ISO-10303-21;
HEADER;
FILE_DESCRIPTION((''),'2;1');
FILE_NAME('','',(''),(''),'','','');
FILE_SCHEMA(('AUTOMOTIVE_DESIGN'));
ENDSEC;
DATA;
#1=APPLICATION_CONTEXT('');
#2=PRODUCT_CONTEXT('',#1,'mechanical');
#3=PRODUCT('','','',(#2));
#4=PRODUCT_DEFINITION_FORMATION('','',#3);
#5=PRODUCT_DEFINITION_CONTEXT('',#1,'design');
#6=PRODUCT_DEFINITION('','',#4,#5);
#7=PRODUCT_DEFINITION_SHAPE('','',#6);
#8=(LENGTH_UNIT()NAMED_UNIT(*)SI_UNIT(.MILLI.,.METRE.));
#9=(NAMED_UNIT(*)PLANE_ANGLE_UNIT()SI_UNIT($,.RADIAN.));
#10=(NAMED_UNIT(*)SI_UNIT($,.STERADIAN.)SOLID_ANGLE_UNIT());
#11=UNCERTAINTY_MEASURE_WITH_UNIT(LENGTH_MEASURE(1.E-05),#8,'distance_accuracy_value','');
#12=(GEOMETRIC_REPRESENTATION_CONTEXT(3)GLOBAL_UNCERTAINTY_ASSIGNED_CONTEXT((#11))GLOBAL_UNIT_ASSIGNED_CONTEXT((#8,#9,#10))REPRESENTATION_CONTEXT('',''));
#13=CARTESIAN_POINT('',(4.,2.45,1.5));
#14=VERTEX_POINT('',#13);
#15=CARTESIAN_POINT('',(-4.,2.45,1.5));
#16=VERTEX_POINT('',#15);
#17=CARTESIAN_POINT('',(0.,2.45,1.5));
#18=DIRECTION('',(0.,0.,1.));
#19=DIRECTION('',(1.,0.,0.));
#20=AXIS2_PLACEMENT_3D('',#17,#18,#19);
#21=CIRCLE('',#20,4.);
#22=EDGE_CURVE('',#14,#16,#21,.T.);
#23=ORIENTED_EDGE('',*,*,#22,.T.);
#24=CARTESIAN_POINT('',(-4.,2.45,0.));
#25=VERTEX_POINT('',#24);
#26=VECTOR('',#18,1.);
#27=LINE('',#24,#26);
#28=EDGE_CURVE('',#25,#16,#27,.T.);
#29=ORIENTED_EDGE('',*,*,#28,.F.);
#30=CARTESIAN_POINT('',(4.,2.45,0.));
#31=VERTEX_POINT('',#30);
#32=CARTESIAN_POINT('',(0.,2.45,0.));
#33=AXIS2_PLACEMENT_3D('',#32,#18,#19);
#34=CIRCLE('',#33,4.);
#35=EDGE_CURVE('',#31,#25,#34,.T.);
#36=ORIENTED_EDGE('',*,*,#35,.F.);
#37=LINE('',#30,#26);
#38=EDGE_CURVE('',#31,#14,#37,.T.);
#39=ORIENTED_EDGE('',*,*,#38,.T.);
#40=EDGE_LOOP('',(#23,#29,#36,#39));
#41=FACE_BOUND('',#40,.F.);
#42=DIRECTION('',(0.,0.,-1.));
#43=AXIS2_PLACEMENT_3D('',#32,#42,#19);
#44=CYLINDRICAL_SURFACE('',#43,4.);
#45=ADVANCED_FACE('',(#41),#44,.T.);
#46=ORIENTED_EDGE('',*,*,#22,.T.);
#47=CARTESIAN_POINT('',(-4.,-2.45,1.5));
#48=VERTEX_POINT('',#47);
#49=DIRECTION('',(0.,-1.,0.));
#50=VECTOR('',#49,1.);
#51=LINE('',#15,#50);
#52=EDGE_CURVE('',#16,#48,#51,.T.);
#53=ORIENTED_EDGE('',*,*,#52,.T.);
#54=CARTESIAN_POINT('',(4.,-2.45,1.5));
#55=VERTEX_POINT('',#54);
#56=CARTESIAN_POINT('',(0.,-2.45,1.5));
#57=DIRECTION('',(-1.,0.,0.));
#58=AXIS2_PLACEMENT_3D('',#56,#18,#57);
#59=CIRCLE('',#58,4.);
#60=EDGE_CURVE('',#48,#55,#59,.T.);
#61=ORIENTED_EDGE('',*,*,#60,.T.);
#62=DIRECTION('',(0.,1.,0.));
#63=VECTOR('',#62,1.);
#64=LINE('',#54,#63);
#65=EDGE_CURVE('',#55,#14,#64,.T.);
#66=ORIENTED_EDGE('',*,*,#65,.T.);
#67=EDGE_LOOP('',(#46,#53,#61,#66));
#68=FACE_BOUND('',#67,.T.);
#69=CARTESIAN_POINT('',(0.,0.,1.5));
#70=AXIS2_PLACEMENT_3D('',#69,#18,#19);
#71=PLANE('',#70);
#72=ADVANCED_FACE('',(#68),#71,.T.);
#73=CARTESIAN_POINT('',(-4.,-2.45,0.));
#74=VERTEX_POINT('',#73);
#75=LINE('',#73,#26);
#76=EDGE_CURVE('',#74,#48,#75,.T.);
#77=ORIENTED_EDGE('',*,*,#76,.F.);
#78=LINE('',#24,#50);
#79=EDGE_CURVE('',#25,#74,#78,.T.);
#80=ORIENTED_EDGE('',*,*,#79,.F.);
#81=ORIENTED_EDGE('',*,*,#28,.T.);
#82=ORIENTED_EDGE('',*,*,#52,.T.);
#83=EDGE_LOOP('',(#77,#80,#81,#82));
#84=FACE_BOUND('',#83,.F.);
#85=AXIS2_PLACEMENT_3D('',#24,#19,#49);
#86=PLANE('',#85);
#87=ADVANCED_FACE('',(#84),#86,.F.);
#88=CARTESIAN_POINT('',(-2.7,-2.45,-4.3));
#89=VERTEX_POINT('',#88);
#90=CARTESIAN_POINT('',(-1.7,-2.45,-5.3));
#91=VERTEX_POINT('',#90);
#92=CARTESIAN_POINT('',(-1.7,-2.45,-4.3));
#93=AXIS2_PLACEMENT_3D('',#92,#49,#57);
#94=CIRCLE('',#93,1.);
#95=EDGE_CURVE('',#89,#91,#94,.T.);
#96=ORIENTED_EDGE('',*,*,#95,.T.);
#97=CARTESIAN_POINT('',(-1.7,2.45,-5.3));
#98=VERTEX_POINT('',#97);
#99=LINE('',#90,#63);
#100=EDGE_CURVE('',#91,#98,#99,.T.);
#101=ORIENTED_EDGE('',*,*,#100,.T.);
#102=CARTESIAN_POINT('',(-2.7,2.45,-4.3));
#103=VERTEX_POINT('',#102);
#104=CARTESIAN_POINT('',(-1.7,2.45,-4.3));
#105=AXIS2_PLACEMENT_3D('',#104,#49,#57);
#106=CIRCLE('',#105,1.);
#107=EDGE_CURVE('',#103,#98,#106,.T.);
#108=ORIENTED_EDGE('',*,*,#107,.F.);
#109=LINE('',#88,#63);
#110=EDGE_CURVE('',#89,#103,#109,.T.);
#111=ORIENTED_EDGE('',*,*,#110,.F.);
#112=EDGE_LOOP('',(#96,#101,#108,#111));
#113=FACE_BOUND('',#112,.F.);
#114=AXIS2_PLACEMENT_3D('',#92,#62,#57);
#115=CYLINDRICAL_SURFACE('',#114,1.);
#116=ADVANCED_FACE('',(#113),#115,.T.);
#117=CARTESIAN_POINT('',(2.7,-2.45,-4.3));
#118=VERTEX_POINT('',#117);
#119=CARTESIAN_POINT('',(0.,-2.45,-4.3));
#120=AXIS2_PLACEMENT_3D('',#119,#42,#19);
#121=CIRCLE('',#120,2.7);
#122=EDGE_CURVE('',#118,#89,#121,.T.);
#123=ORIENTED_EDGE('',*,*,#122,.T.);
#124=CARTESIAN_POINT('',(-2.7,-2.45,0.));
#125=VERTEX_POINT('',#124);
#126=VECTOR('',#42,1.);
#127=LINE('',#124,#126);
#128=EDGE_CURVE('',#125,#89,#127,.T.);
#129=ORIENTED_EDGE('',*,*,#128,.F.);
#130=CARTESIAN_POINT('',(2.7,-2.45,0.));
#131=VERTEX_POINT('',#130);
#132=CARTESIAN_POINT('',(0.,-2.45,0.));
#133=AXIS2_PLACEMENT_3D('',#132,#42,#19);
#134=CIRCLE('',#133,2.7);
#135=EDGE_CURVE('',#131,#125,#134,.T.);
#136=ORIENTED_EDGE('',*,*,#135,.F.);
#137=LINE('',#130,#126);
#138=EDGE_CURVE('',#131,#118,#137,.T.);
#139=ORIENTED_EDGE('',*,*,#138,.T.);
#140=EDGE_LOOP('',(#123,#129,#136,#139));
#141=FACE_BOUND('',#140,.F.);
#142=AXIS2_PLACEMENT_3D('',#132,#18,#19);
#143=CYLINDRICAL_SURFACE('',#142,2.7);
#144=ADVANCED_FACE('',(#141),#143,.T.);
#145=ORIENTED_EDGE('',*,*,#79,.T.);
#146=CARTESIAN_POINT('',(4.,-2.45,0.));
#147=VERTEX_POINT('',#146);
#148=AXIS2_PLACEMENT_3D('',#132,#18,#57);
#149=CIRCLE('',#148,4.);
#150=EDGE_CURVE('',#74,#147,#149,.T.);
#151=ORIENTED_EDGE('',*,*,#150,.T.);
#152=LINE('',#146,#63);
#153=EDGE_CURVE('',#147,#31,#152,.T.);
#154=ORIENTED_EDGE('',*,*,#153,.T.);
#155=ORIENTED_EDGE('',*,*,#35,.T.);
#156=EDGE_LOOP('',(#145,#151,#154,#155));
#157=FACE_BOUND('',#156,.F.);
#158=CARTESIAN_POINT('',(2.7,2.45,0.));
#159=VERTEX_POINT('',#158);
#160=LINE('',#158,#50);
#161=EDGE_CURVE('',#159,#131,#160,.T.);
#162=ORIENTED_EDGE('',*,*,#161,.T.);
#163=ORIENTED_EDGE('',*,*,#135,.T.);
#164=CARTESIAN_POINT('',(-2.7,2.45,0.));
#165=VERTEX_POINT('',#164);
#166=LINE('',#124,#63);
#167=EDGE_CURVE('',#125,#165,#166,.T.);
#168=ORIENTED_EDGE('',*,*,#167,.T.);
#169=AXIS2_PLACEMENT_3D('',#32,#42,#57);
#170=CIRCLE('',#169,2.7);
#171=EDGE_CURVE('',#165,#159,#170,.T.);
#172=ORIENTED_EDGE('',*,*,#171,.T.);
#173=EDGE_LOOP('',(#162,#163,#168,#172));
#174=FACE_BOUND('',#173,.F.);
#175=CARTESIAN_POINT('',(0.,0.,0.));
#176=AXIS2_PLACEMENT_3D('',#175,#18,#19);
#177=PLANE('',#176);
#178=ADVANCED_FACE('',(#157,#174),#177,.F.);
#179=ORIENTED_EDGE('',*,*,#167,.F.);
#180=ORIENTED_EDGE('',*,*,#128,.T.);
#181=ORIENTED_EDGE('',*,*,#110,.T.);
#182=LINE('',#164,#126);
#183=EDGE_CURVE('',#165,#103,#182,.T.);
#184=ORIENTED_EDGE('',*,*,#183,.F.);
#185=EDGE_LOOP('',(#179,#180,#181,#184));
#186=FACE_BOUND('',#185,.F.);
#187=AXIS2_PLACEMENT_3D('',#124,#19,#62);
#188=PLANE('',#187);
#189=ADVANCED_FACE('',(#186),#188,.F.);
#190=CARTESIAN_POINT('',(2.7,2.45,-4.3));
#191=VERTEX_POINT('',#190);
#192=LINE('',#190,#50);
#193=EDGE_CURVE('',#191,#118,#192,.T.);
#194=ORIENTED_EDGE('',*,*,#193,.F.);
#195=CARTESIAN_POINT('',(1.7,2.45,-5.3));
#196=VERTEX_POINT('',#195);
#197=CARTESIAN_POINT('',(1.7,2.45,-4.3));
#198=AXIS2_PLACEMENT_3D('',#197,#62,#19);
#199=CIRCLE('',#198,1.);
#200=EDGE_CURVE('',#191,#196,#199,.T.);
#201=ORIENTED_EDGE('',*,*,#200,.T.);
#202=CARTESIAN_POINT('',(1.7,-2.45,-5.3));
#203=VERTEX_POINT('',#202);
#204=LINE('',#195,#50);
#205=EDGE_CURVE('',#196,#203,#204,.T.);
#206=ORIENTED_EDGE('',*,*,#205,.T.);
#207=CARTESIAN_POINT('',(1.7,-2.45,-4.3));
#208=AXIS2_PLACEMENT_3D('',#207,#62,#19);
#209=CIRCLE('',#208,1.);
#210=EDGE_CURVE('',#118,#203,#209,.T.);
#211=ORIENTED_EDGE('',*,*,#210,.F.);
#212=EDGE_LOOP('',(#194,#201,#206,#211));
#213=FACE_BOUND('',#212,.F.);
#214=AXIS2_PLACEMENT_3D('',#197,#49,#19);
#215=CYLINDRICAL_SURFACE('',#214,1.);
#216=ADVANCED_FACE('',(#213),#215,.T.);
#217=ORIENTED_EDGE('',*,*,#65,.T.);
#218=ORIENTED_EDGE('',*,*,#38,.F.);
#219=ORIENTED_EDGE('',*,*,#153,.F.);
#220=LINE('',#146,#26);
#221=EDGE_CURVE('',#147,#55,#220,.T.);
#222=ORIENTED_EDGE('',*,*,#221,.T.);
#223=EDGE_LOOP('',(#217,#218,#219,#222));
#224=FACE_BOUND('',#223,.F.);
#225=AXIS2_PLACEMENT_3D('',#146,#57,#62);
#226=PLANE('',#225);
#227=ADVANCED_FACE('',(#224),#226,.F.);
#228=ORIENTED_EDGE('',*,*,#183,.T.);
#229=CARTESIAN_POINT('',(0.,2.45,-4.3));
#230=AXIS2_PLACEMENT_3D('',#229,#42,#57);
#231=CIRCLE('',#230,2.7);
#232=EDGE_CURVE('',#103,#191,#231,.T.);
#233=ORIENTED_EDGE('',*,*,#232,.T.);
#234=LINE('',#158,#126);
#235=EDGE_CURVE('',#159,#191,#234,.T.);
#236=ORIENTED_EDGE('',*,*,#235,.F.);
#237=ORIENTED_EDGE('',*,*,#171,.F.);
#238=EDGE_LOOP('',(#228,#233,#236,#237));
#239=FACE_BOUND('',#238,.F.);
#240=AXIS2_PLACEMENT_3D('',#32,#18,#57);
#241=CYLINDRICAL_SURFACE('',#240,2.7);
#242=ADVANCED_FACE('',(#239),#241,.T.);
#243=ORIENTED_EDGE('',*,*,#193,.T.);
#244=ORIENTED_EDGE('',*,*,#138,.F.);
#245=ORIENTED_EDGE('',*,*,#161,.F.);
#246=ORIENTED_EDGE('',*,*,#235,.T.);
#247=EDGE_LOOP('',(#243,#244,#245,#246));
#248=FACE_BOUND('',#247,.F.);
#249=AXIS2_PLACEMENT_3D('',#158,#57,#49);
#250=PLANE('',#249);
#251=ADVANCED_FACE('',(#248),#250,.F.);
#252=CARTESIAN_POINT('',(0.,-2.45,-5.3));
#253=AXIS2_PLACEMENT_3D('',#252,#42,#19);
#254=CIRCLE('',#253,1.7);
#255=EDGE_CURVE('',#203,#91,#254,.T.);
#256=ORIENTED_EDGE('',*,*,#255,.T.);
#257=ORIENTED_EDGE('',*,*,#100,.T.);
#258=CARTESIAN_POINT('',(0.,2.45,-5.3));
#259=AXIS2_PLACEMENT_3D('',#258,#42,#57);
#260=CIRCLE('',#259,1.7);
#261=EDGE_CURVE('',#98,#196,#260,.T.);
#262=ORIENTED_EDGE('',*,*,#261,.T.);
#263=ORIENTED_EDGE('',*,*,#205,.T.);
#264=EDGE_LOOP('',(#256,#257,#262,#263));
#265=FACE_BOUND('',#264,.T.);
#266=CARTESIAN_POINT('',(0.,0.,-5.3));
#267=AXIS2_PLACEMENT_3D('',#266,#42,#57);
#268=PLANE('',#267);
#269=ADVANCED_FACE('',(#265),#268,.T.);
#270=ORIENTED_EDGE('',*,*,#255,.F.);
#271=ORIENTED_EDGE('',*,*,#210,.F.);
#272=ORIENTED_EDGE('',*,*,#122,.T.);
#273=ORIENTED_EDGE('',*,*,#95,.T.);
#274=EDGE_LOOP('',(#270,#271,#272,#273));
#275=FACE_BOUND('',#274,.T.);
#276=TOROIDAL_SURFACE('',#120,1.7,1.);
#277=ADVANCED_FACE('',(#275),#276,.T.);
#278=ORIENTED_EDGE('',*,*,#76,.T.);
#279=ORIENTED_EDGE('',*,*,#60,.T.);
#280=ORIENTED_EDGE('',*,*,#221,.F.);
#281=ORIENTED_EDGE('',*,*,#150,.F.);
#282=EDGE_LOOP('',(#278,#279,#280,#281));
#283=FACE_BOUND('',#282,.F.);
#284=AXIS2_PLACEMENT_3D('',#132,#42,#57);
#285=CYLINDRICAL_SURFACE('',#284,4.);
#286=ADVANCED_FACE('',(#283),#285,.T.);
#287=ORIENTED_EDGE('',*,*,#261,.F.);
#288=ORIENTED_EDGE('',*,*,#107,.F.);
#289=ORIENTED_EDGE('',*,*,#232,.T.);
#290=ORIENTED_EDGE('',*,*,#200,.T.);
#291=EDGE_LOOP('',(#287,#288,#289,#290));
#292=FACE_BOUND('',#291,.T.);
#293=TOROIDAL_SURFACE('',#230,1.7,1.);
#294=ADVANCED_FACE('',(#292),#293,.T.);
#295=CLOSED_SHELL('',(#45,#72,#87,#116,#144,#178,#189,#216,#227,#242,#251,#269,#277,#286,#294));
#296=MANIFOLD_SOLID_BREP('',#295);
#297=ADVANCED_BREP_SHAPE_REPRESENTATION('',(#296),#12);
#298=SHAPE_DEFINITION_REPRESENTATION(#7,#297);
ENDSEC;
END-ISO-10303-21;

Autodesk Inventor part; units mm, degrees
ref_plane "YZ Plane" through (0, 0, 0) normal (1, 0, 0) x (0, 1, 0)
ref_plane "XZ Plane" through (0, 0, 0) normal (0, 1, 0) x (-1, 0, 0)
ref_plane "XY Plane" through (0, 0, 0) normal (0, 0, 1) x (1, 0, 0)
sketch "Sketch1" plane through (0, 0, 0) normal (0, 0, 1) x (1, 0, 0)
  line L0 (0, -2.45) -> (0, 2.45) construction
  line L1 (4, -2.45) -> (4, 2.45)
  line L2 (-4, 2.45) -> (-4, -2.45)
  arc A0 (-4, -2.45) -> (4, -2.45) centre (0, -2.45) ccw
  arc A1 (4, 2.45) -> (-4, 2.45) centre (0, 2.45) ccw
  point P0 (0, 0)
  dimension "d0" = 2.45
  dimension "d1" = 8
extrude "Extrusion1" add sketch "Sketch1" along normal blind 1.5
sketch "Sketch2" plane through (0, 0, 0) normal (0, 0, -1) x (-1, 0, 0)
  line L0 (-4, -2.45) -> (-4, 2.45) projected
  arc A0 (-4, -2.45) -> (4, -2.45) centre (0, -2.45) ccw projected
  line L1 (4, 2.45) -> (4, -2.45) projected
  arc A1 (4, 2.45) -> (-4, 2.45) centre (0, 2.45) ccw projected
  line L2 (-2.7, 2.45) -> (-2.7, -2.45)
  arc A2 (-2.7, -2.45) -> (2.7, -2.45) centre (0, -2.45) ccw
  line L3 (2.7, -2.45) -> (2.7, 2.45)
  arc A3 (2.7, 2.45) -> (-2.7, 2.45) centre (0, 2.45) ccw
  point P0 (0, 0)
  dimension "d4" = 1.3
extrude "Extrusion2" add sketch "Sketch2" along normal blind 5.3 contours A3 L3 A2 L2
fillet "Fillet1" radius 1 4 edges at (2.7, 0, -5.3) (0, -5.15, -5.3) (-2.7, 0, -5.3) (0, 5.15, -5.3)
properties part number "LCDButton" material "ABS Plastic"
